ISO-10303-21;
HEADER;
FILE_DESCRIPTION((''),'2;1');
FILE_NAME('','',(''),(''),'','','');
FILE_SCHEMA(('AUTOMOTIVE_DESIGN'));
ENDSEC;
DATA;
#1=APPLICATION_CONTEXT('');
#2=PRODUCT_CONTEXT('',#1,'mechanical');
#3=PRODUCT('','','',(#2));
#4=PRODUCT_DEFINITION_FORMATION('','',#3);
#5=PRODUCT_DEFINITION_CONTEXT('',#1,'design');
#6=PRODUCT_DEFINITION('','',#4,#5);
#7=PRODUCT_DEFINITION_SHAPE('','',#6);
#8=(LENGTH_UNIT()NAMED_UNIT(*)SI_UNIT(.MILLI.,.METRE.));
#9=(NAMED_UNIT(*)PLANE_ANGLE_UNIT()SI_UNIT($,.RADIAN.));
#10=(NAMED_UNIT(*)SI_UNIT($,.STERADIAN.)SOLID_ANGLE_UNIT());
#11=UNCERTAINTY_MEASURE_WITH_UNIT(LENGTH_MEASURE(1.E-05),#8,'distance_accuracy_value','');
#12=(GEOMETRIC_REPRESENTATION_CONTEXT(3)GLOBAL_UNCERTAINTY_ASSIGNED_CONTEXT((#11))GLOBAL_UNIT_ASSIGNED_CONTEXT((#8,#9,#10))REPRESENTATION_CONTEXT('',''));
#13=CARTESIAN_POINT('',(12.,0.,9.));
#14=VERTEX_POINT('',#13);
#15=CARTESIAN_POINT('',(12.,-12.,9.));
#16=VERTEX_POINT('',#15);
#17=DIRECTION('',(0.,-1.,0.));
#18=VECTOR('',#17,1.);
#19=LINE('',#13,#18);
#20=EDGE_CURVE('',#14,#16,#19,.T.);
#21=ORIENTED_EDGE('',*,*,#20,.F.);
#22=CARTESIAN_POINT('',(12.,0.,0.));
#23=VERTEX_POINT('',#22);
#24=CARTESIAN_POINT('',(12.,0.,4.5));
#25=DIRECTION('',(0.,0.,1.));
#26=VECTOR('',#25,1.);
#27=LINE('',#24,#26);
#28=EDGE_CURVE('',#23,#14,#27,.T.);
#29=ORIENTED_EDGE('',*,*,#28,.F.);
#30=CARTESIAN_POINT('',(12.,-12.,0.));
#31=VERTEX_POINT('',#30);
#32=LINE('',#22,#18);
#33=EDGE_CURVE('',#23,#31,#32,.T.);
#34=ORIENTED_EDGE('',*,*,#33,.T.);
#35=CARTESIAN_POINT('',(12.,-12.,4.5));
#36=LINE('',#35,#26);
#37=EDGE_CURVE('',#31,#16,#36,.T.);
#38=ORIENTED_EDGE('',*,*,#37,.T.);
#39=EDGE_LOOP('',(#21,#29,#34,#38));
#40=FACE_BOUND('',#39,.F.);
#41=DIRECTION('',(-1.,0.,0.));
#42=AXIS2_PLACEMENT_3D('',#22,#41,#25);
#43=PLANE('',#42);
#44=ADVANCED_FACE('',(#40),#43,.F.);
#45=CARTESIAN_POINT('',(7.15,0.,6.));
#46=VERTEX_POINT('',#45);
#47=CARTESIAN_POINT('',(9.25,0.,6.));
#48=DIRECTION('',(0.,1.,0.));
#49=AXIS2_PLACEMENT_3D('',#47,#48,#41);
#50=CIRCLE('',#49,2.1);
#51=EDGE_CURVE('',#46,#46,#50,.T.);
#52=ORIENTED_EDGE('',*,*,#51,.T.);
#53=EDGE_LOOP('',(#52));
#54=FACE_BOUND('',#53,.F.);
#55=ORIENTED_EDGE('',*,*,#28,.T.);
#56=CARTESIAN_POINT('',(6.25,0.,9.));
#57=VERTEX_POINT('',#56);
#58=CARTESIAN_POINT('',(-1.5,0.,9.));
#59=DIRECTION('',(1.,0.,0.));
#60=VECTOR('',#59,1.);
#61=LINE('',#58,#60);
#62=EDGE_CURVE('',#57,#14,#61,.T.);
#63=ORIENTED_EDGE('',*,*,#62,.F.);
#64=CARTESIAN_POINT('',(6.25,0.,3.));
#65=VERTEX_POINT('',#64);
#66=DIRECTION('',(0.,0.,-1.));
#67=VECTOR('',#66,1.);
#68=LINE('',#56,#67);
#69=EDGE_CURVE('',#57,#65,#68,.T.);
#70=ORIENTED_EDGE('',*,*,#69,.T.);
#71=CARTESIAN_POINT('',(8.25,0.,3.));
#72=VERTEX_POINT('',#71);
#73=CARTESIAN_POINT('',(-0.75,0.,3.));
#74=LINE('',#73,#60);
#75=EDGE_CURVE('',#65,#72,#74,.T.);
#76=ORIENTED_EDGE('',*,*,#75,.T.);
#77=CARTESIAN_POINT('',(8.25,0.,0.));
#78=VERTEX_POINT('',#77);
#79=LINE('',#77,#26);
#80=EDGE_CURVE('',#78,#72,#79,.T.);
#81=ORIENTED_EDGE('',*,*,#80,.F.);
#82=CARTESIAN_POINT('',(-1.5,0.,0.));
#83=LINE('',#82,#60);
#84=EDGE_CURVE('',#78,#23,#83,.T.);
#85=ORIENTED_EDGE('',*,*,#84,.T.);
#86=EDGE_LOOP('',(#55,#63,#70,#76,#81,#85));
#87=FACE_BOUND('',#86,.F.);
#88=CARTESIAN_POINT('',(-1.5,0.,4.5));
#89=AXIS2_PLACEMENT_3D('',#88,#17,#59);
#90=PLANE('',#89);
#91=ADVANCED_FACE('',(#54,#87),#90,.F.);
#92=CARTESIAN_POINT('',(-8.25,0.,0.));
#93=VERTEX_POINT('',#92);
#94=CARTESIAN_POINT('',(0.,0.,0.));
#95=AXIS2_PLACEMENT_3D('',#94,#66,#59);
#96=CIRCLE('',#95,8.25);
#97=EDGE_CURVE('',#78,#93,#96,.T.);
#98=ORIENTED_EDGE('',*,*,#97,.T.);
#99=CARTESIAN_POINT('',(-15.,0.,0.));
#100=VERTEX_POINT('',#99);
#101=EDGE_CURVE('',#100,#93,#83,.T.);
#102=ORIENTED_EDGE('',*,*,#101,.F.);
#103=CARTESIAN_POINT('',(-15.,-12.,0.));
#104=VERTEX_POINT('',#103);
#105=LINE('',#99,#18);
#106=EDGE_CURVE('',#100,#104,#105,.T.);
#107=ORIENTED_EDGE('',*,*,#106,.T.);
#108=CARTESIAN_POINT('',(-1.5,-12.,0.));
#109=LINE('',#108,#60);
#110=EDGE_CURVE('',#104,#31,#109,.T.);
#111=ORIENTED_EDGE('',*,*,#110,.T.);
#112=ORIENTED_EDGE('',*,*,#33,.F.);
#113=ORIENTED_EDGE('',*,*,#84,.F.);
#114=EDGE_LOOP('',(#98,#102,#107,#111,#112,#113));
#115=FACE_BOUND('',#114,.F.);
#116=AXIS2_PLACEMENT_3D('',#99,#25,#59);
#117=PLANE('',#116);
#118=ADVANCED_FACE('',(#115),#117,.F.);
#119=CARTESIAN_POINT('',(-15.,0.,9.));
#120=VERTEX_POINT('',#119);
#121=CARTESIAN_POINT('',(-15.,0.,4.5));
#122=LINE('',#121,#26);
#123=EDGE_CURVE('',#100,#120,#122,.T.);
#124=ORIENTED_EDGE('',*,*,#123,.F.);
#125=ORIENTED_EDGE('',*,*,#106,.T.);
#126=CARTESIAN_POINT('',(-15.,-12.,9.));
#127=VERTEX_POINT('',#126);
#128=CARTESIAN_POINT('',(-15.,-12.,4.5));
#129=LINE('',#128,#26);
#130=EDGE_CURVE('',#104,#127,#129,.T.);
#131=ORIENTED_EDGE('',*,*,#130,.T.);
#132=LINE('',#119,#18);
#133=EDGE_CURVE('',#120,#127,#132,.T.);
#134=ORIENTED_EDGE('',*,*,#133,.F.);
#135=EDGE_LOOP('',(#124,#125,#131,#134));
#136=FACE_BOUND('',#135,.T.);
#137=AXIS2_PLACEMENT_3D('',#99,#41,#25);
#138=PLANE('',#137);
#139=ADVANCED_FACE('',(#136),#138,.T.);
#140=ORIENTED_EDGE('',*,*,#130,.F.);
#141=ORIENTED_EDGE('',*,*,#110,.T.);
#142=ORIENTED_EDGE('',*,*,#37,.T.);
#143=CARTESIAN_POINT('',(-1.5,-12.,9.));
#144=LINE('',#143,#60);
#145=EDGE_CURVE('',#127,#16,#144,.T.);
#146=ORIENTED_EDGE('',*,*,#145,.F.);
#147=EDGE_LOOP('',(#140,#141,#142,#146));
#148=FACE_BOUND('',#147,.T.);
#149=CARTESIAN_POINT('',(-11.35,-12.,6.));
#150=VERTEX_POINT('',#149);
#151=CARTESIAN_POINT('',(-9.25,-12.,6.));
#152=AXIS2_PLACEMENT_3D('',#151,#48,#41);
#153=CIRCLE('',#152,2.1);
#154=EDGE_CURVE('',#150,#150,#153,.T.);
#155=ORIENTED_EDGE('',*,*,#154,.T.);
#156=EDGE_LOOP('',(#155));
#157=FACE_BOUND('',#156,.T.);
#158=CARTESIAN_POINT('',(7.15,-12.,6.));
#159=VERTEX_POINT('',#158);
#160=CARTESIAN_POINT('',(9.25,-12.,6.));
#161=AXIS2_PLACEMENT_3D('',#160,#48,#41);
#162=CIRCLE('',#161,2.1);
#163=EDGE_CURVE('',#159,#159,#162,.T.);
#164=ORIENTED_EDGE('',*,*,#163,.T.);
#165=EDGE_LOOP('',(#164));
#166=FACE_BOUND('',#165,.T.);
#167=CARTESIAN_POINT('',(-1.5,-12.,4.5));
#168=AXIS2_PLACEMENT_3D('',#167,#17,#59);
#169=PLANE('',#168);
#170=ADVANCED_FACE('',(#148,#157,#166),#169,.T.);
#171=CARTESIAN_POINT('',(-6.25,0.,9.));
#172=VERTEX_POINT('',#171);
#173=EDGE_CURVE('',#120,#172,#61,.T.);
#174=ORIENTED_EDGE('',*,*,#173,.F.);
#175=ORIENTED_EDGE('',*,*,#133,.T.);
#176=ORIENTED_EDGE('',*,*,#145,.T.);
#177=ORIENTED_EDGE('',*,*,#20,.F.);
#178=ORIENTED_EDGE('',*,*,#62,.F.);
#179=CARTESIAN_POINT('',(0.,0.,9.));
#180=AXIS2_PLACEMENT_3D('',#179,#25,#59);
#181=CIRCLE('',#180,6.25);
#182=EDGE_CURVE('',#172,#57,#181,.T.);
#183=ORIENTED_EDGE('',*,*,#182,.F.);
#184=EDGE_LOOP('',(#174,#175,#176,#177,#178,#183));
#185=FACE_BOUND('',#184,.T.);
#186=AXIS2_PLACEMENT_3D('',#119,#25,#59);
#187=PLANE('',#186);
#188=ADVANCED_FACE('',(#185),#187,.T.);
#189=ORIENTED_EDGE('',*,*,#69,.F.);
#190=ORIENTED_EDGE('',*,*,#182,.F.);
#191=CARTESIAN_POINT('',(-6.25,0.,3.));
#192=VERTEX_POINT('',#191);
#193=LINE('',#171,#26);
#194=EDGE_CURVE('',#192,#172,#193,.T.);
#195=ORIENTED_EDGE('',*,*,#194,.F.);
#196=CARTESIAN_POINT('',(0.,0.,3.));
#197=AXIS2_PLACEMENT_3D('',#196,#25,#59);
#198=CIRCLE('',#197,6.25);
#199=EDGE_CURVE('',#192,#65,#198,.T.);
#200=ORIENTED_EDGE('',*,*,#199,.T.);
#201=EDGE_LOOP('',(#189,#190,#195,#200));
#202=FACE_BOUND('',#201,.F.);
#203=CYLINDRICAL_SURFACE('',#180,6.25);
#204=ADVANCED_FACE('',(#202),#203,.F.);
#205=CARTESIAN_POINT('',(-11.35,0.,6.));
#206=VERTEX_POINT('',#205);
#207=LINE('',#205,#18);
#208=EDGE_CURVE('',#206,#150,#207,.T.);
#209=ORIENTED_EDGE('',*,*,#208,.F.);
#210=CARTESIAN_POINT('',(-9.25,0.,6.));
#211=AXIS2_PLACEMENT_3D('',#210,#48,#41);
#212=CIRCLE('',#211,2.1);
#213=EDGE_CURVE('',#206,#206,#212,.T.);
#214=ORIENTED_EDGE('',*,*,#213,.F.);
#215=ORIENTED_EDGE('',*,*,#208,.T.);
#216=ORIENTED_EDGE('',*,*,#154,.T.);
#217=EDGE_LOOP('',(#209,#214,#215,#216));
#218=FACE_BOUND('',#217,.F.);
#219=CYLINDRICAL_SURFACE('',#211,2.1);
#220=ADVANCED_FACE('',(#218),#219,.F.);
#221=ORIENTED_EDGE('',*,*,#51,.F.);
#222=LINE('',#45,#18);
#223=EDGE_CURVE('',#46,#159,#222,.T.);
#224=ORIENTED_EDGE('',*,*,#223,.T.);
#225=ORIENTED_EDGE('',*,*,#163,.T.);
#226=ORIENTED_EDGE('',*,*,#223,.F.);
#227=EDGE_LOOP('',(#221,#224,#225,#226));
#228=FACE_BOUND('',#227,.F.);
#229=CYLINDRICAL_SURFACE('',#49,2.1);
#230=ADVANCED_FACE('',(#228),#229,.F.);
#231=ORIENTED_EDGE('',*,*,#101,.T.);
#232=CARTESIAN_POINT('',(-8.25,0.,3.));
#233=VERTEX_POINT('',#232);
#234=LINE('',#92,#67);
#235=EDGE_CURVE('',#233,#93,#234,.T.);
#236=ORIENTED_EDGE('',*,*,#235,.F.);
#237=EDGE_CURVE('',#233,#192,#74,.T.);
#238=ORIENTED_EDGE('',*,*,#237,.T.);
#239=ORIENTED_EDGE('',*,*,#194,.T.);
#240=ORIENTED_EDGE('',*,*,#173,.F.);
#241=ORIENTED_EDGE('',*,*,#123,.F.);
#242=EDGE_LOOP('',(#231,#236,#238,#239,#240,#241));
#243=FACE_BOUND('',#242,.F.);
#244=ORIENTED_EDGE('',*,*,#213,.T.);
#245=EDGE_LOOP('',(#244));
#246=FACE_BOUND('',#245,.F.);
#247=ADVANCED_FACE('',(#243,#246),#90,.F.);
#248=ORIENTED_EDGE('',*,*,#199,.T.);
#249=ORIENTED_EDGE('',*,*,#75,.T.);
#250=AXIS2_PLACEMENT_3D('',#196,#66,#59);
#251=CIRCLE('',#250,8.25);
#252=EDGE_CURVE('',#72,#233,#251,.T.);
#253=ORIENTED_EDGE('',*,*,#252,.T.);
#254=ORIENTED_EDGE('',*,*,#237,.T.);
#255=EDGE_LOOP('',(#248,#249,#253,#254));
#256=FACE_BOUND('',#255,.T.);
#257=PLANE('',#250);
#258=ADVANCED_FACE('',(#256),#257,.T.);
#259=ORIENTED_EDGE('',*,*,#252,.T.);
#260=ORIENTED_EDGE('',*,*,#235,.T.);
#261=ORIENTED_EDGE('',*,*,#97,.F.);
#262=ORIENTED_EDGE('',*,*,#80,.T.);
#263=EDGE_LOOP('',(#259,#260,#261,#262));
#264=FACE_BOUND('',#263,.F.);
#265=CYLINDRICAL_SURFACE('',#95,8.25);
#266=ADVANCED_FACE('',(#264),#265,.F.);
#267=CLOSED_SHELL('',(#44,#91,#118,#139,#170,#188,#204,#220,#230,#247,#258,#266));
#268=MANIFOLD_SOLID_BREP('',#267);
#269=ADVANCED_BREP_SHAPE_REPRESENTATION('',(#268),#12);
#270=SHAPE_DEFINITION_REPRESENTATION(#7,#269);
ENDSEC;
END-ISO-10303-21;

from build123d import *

# Parameters (mm, degrees)
F0_W     = 27
F0_H     = 9
F1_DEPTH = 12
F2_R     = 6.25
F3_DEPTH = 9.001
F4_R     = 8.25
F5_DEPTH = 3
F6_R     = 2.1
F7_DEPTH = 12.001


with BuildPart() as f1:
    # F0 (on Front) → F1 (new body)
    with BuildSketch(Plane.XZ):
        with Locations((-1.5, 4.5)):
            Rectangle(F0_W, F0_H)
    extrude(amount=F1_DEPTH)

    # F2 (on face) → F3 (cut, through all)
    with BuildSketch(Plane.XY.offset(9)):
        Circle(F2_R)
    extrude(amount=-F3_DEPTH, mode=Mode.SUBTRACT)

    # F4 (on face) → F5 (cut)
    with BuildSketch(Plane(origin=(0, 0, 0), x_dir=(1, 0, 0), z_dir=(0, 0, -1))):
        Circle(F4_R)
    extrude(amount=-F5_DEPTH, mode=Mode.SUBTRACT)

    # F6 (on face) → F7 (cut, through all)
    with BuildSketch(Plane(origin=(0, 0, 0), x_dir=(-1, 0, 0), z_dir=(0, 1, 0))):
        with Locations((-9.25, 6)):
            Circle(F6_R)
        with Locations((9.25, 6)):
            Circle(F6_R)
    extrude(amount=-F7_DEPTH, mode=Mode.SUBTRACT)


solid = f1.part
